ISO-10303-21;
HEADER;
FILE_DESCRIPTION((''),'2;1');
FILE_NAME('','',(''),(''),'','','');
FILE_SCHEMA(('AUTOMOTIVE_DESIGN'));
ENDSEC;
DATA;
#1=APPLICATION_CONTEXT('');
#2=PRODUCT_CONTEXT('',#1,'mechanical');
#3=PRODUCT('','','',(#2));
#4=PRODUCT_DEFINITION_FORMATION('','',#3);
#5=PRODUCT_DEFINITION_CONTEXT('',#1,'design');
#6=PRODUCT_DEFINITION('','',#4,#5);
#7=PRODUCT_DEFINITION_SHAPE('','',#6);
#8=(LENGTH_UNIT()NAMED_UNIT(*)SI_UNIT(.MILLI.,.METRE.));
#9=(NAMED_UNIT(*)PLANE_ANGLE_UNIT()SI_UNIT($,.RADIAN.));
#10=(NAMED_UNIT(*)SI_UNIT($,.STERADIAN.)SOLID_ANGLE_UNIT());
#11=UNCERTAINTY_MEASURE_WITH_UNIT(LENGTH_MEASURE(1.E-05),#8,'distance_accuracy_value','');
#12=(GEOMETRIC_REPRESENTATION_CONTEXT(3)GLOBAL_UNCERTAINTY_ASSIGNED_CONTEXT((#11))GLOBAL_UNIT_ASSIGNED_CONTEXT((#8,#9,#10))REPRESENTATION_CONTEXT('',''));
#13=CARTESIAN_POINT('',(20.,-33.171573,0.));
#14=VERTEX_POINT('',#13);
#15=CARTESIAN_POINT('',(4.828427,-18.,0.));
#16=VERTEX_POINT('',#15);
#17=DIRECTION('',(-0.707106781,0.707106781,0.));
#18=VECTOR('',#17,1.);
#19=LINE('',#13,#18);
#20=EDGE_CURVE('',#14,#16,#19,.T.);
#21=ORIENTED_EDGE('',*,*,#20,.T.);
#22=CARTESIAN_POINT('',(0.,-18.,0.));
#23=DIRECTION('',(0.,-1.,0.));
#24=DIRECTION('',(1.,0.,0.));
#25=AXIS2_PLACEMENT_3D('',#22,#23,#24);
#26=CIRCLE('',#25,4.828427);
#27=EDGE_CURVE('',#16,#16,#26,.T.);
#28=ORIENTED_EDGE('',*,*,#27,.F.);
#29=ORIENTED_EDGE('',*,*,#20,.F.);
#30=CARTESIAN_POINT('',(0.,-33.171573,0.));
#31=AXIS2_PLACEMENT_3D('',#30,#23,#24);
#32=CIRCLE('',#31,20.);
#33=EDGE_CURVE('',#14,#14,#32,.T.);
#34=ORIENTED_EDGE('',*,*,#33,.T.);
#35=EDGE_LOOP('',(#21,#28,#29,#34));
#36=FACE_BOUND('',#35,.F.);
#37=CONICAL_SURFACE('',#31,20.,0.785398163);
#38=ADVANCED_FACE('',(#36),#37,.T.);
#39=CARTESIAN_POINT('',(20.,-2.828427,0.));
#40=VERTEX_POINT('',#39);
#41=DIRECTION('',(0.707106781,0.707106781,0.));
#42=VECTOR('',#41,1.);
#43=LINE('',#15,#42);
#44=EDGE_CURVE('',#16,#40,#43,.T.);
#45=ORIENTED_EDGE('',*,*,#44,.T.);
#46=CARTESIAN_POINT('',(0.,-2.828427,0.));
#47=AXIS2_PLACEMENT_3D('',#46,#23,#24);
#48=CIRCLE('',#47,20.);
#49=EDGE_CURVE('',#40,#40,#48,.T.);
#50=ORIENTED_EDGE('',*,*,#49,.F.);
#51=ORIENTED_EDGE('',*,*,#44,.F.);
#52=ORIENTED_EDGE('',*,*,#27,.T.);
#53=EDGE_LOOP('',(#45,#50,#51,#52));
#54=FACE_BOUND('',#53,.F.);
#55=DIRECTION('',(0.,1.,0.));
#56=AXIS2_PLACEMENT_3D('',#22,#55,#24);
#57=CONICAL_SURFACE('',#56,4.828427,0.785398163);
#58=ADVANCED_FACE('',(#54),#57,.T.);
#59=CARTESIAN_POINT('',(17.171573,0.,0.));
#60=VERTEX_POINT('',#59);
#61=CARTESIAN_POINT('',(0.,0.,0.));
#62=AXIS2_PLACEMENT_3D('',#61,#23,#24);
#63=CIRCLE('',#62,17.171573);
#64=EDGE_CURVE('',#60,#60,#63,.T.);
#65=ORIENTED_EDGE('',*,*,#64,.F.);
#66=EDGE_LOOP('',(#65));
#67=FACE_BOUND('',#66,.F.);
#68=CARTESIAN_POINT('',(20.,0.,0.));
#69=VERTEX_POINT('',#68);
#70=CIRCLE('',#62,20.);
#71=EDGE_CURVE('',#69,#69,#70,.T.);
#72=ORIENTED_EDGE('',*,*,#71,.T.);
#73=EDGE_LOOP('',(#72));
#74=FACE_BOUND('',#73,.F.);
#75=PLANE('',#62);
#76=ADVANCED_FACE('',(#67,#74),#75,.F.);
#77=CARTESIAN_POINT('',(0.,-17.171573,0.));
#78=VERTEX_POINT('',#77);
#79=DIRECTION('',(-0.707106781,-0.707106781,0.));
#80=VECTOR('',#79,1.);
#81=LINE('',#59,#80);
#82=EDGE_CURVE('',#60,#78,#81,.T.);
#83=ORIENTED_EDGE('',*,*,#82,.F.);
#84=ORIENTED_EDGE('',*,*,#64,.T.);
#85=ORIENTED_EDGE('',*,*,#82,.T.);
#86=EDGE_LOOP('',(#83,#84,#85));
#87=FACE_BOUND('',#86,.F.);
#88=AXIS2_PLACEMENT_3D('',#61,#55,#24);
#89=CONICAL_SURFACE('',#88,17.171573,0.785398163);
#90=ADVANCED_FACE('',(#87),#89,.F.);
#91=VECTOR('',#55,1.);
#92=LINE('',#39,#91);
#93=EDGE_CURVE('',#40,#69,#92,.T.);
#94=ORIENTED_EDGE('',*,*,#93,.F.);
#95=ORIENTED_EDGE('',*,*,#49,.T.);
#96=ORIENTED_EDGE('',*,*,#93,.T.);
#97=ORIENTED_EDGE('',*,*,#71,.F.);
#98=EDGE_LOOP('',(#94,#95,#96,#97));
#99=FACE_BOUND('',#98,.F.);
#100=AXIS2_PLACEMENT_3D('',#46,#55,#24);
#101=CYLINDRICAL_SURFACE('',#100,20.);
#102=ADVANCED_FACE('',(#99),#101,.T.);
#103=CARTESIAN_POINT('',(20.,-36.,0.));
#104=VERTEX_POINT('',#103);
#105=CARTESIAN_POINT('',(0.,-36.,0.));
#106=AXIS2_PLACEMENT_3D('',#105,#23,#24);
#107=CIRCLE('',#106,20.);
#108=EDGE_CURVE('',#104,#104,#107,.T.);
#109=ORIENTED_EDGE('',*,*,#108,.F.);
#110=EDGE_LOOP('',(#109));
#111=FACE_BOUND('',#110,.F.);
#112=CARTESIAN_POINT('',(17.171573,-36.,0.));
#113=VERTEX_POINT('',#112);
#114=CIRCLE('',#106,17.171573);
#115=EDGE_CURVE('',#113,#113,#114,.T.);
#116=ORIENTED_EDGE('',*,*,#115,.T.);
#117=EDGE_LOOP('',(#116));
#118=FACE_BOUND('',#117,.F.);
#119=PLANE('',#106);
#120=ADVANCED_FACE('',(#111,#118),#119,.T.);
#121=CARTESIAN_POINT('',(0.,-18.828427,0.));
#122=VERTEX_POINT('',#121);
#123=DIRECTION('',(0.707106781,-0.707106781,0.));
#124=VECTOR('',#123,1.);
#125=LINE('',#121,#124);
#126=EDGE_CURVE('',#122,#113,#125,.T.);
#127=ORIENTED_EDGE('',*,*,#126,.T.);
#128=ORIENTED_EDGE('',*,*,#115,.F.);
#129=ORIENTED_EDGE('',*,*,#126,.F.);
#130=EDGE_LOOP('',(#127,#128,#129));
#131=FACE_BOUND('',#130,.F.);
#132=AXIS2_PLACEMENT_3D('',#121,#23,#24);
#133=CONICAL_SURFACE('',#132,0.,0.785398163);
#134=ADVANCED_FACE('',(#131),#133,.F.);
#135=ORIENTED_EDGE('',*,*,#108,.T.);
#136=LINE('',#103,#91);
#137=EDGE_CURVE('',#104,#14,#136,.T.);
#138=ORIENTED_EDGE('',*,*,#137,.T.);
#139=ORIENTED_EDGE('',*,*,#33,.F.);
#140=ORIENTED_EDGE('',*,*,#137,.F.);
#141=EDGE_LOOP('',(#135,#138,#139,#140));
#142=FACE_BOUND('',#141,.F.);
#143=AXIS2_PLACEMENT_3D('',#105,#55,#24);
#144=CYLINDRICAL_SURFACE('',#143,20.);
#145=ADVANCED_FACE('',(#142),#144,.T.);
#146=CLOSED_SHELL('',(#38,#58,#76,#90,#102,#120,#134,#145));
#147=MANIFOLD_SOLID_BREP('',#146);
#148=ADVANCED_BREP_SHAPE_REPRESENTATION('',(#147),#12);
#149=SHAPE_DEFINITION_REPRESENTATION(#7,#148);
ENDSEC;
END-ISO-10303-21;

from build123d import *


with BuildPart() as f1:
    # F0 (on Top) → F1 (revolve)
    with BuildSketch(Plane.XY):
        Polygon((20, 0), (17.171573, 0), (0, -17.171573), (0, -18.828427), (17.171573, -36), (20, -36), (20, -33.171573), (4.828427, -18), (20, -2.828427), align=None)
    revolve(axis=Axis((0, -18, 0), (0, -1, 0)))


solid = f1.part
